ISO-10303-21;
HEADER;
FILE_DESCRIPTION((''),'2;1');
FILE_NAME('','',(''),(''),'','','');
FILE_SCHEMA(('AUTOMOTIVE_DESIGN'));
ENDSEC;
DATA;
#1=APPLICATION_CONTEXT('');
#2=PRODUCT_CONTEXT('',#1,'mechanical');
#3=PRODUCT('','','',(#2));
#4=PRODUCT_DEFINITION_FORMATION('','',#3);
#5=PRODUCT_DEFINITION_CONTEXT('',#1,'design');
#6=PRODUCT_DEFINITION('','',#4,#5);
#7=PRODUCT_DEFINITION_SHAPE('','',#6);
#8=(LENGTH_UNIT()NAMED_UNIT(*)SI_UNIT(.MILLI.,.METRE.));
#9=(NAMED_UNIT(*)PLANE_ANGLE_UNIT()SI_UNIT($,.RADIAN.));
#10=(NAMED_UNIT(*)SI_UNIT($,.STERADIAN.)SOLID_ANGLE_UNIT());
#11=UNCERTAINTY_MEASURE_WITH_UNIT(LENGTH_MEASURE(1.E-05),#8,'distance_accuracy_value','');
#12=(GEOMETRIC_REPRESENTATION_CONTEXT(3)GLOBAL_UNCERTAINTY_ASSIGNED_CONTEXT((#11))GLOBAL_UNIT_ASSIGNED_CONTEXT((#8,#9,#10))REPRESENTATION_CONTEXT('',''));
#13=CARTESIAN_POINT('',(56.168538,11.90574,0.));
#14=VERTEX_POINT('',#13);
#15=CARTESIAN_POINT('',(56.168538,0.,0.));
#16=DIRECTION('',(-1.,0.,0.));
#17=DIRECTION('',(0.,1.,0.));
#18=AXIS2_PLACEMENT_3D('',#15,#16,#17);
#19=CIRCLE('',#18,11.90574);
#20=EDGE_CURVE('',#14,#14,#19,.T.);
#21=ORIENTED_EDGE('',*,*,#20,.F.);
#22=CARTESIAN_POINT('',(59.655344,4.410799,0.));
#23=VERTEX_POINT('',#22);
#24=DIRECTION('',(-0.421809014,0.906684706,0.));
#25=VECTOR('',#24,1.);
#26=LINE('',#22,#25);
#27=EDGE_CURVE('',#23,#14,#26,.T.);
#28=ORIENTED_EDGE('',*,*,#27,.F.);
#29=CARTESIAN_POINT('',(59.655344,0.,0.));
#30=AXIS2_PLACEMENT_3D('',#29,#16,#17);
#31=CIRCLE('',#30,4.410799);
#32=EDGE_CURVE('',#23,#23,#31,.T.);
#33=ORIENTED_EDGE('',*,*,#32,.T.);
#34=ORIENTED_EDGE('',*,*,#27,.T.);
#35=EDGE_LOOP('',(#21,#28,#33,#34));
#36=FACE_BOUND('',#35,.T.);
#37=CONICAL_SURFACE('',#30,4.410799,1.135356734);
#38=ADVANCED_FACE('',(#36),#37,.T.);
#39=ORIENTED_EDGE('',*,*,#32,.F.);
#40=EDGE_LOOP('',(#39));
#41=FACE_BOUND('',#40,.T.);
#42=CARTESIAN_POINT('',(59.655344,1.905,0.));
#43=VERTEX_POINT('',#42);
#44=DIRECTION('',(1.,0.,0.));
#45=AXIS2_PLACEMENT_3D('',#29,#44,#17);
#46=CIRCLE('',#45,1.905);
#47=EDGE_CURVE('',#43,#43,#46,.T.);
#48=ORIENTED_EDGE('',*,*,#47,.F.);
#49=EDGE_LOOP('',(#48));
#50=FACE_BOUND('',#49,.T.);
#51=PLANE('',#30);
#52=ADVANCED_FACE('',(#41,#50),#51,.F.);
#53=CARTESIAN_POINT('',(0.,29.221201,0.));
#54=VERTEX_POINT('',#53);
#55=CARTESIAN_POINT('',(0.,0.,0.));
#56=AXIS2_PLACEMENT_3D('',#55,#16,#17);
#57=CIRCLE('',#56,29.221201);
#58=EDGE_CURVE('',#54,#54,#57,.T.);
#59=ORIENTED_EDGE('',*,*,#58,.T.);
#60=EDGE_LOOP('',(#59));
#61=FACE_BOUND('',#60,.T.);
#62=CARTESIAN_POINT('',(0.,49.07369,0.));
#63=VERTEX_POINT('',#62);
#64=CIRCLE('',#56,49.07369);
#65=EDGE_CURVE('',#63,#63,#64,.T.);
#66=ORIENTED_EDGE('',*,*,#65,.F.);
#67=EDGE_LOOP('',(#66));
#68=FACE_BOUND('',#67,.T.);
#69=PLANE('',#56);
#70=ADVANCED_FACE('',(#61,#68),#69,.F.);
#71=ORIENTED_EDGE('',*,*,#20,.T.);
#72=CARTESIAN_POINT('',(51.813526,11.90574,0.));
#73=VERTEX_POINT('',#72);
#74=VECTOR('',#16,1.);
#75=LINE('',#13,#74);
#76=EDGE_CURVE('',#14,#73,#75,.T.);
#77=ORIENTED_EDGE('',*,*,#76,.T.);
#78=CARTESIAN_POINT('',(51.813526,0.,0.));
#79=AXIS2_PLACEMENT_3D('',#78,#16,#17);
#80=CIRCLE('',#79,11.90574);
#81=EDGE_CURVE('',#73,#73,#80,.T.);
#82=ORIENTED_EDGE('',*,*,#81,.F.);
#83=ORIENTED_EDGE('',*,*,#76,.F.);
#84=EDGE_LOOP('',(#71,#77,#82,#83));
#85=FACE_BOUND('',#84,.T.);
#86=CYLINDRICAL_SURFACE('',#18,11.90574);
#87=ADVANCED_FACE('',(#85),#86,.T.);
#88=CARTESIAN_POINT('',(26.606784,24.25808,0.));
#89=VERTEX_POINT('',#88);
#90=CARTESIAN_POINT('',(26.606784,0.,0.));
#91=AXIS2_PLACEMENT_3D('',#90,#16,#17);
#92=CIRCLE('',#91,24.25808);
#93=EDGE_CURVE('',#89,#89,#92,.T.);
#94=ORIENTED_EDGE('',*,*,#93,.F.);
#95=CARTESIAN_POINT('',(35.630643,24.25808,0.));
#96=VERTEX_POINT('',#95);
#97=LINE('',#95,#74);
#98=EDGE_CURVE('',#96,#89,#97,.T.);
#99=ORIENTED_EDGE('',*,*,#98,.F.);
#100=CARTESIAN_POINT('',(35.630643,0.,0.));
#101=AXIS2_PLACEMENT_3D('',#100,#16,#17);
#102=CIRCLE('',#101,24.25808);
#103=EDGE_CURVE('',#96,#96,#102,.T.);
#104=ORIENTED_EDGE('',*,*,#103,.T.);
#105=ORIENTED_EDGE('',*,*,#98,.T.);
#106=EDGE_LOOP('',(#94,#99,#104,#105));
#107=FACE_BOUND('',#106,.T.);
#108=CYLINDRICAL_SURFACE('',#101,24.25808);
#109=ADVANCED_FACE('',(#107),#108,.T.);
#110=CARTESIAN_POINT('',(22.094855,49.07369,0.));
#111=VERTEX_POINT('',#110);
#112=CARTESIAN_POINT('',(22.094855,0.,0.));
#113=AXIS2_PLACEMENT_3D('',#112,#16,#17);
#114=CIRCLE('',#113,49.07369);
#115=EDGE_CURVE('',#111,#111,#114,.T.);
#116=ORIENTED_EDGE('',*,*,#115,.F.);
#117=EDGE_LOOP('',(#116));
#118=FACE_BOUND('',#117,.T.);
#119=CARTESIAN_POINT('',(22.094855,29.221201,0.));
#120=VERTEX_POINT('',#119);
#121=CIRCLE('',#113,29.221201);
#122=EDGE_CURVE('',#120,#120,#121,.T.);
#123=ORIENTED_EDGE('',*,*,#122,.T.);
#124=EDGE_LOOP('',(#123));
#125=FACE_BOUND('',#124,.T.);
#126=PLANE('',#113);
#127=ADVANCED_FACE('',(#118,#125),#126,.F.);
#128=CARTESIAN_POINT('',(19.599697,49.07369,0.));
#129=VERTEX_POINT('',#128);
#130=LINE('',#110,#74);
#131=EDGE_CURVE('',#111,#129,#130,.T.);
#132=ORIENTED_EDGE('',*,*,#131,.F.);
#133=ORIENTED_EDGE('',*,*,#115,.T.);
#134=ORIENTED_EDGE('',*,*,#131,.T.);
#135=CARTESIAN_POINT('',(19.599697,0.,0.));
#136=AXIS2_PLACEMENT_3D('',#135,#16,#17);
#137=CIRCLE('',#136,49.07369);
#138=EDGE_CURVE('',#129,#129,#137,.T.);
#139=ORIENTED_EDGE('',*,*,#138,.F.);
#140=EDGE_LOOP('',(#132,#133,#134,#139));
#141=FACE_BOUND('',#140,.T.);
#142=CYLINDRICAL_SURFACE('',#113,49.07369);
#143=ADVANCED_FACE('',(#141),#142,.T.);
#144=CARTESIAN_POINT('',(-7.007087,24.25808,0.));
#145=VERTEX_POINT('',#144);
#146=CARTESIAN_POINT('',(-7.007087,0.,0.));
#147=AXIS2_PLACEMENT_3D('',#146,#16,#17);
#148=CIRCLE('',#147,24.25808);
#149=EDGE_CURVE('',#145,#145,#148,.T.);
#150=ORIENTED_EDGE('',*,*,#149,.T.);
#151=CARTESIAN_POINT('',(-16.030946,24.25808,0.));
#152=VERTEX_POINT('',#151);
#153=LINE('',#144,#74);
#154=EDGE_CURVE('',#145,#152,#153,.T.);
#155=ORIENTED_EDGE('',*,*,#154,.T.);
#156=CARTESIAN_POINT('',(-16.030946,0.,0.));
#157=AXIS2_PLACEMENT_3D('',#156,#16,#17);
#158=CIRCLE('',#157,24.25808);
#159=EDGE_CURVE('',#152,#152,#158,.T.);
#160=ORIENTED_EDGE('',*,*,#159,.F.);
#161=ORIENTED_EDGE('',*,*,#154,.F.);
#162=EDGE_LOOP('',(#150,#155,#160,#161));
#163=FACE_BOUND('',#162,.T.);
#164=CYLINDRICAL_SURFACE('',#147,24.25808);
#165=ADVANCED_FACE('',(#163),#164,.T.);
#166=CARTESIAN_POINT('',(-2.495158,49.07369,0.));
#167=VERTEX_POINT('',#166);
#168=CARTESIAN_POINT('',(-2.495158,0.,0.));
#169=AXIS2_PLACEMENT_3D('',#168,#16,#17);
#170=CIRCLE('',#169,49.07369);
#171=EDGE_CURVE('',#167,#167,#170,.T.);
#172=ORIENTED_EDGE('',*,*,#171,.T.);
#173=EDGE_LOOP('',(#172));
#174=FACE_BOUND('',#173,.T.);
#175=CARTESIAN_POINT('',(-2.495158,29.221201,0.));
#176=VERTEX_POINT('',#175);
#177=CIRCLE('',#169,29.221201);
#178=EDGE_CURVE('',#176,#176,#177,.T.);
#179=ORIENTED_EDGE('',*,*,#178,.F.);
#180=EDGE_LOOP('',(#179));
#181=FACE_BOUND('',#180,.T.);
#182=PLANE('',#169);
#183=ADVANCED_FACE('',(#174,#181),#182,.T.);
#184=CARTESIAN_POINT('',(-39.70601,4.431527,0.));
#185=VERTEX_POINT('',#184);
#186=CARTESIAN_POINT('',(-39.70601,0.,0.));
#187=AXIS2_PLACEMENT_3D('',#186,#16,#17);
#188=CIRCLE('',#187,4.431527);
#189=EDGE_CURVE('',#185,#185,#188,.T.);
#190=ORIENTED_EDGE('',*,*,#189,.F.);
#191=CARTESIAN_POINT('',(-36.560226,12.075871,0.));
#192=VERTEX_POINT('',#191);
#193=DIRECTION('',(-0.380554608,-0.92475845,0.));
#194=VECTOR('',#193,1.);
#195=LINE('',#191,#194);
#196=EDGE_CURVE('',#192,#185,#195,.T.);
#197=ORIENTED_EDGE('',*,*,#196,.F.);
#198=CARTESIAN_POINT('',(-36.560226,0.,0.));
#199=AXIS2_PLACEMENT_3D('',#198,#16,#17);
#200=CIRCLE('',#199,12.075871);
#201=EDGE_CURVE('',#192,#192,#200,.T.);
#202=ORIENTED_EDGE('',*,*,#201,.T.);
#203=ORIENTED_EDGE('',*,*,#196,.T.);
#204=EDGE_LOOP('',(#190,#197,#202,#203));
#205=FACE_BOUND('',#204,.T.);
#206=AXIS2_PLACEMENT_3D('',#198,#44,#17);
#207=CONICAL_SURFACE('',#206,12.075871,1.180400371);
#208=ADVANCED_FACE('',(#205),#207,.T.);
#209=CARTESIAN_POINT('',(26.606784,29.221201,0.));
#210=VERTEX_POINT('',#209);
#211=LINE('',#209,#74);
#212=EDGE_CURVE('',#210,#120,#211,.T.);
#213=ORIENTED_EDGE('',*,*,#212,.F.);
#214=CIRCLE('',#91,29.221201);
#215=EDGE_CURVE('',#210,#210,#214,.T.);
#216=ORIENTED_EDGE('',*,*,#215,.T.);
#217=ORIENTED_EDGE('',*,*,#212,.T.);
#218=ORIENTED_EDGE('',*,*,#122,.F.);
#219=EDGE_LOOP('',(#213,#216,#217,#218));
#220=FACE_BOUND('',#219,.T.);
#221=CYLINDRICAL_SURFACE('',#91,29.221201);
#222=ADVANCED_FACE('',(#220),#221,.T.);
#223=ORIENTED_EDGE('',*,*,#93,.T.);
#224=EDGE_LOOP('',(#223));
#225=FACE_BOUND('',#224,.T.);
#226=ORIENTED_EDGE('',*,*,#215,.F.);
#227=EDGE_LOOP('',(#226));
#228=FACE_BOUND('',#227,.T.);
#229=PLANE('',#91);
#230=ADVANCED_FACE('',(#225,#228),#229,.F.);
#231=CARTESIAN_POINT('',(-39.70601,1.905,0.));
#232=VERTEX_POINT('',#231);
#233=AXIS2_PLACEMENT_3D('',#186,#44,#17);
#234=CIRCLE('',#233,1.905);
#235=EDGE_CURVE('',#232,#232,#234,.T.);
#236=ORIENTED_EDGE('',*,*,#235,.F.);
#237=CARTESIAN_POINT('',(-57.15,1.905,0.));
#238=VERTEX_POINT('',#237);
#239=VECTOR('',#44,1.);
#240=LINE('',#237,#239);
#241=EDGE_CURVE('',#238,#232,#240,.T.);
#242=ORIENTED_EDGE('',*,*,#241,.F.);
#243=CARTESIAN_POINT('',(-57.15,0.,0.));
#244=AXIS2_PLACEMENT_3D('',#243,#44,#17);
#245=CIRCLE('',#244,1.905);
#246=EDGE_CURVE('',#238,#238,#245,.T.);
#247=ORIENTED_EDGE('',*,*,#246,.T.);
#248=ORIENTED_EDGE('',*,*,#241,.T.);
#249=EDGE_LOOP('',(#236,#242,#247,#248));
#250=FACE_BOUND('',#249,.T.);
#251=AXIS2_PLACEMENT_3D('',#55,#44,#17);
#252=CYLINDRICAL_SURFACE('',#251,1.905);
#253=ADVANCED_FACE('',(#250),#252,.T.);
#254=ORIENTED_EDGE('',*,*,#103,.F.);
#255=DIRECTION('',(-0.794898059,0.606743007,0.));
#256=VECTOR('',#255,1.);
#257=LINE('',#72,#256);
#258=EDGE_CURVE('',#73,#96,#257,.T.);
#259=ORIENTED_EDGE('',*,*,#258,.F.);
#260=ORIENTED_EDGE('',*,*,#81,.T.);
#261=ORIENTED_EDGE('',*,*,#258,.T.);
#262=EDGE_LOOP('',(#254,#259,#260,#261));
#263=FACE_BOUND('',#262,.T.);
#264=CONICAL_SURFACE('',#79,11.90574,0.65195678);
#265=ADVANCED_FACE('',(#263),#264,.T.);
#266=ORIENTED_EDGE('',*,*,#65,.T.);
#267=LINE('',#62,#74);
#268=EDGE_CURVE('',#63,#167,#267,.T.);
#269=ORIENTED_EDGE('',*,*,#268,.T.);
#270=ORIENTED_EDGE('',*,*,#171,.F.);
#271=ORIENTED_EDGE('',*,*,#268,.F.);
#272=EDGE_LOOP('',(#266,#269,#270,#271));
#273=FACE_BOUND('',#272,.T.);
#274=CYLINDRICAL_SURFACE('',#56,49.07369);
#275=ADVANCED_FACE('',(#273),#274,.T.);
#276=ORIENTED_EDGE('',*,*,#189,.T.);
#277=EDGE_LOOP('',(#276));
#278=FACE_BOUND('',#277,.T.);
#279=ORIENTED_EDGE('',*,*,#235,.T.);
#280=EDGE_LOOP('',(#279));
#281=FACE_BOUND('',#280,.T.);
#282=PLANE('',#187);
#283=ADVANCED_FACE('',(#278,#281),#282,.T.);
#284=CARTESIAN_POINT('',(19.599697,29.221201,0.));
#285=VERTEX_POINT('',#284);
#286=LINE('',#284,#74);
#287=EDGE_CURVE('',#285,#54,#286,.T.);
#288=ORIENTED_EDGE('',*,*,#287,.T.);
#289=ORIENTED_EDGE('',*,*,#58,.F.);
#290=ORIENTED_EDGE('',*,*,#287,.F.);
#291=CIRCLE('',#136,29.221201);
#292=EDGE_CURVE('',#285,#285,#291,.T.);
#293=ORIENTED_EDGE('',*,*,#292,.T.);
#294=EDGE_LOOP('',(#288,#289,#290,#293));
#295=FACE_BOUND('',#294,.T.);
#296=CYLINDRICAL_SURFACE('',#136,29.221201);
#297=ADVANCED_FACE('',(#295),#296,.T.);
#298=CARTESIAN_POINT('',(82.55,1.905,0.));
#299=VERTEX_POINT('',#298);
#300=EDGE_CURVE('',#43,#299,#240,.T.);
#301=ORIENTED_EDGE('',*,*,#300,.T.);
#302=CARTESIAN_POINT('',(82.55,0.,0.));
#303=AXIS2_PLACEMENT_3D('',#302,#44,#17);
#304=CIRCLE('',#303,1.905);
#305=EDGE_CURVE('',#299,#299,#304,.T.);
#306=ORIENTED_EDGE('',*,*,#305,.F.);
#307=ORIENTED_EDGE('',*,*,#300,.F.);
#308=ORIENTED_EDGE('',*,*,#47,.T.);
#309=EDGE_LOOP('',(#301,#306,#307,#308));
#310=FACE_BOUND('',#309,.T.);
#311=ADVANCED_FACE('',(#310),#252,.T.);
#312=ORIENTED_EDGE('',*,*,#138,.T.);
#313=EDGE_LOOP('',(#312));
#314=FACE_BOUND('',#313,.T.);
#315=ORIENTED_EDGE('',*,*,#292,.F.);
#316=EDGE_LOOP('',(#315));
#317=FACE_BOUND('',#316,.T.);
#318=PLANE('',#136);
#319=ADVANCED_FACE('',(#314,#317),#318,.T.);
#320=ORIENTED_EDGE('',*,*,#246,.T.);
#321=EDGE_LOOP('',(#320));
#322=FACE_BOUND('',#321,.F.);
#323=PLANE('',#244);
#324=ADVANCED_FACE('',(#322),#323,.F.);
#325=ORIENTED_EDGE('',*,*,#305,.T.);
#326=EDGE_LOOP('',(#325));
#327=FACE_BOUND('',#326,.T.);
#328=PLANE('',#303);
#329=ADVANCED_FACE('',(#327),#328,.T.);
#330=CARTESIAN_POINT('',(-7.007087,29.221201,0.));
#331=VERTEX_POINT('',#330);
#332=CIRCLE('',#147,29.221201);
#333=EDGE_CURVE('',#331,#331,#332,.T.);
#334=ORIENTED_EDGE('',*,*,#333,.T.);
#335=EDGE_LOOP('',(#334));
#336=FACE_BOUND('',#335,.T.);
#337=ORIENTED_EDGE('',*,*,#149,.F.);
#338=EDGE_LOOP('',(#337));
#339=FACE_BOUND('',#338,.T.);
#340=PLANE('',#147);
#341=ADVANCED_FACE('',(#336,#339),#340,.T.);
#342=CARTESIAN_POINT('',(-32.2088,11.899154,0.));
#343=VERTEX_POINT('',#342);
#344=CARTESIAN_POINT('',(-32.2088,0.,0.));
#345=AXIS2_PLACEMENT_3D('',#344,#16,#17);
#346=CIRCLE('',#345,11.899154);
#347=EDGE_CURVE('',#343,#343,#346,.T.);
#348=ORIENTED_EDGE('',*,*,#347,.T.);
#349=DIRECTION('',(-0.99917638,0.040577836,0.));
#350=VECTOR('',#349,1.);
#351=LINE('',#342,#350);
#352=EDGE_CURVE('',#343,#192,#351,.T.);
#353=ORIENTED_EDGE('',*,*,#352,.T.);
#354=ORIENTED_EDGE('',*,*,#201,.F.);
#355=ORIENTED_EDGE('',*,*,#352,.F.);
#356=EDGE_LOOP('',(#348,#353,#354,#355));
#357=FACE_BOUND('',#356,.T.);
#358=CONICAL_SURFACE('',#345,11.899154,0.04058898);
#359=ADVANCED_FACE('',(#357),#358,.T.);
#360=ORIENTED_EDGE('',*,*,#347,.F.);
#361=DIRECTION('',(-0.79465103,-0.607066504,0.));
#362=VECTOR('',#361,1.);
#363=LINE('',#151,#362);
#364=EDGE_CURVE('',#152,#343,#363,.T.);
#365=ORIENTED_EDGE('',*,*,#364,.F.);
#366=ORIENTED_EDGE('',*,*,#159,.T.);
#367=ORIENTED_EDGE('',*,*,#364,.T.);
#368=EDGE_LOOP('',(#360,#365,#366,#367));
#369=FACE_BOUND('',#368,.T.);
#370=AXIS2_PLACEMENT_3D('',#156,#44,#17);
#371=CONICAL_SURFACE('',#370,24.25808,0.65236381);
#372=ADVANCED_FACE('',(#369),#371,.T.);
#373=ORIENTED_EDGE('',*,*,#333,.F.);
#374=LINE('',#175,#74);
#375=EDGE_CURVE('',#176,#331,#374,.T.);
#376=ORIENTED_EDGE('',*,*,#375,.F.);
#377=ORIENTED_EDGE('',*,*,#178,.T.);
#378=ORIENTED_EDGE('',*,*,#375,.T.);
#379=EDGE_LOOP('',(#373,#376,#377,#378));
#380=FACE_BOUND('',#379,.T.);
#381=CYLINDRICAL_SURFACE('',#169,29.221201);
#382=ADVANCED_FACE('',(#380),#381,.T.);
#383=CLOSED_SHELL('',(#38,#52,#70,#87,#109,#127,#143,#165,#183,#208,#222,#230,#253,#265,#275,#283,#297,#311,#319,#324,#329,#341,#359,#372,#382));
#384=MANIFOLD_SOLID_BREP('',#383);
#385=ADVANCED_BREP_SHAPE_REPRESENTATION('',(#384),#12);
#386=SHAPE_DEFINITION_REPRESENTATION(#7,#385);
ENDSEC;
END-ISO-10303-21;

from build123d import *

# Parameters (mm, degrees)
F1_R          = 1.905
F2_DEPTH      = 82.55
F2_DEPTH_BACK = 57.15
F3_DEPTH      = 0.762


with BuildPart() as f2:
    # F1 (on Right) → F2 (new body, two sides)
    with BuildSketch(Plane.YZ) as f2_sk:
        Circle(F1_R)
    extrude(amount=F2_DEPTH)
    extrude(f2_sk.sketch, amount=-F2_DEPTH_BACK)

    # F1 (on Right) → F3 (join)
    with BuildSketch(Plane.YZ):
        Circle(F1_R)
    extrude(amount=F3_DEPTH)

    # F0 (on Top) → F4 (revolve)
    with BuildSketch(Plane.XY):
        Polygon((-7.007087, 24.25808), (-16.030946, 24.25808), (-32.2088, 11.899154), (-36.560226, 12.075871), (-39.70601, 4.431527), (-39.70601, 0), (-35.594656, 0), (59.655344, 0), (59.655344, 4.410799), (56.168538, 11.90574), (51.813526, 11.90574), (35.630643, 24.25808), (26.606784, 24.25808), (26.606784, 29.221201), (22.094855, 29.221201), (22.094855, 49.07369), (19.599697, 49.07369), (19.599697, 29.221201), (0, 29.221201), (0, 49.07369), (-2.495158, 49.07369), (-2.495158, 29.221201), (-7.007087, 29.221201), align=None)
    revolve(axis=Axis((0, 0, 0), (-1, 0, 0)))


solid = f2.part
